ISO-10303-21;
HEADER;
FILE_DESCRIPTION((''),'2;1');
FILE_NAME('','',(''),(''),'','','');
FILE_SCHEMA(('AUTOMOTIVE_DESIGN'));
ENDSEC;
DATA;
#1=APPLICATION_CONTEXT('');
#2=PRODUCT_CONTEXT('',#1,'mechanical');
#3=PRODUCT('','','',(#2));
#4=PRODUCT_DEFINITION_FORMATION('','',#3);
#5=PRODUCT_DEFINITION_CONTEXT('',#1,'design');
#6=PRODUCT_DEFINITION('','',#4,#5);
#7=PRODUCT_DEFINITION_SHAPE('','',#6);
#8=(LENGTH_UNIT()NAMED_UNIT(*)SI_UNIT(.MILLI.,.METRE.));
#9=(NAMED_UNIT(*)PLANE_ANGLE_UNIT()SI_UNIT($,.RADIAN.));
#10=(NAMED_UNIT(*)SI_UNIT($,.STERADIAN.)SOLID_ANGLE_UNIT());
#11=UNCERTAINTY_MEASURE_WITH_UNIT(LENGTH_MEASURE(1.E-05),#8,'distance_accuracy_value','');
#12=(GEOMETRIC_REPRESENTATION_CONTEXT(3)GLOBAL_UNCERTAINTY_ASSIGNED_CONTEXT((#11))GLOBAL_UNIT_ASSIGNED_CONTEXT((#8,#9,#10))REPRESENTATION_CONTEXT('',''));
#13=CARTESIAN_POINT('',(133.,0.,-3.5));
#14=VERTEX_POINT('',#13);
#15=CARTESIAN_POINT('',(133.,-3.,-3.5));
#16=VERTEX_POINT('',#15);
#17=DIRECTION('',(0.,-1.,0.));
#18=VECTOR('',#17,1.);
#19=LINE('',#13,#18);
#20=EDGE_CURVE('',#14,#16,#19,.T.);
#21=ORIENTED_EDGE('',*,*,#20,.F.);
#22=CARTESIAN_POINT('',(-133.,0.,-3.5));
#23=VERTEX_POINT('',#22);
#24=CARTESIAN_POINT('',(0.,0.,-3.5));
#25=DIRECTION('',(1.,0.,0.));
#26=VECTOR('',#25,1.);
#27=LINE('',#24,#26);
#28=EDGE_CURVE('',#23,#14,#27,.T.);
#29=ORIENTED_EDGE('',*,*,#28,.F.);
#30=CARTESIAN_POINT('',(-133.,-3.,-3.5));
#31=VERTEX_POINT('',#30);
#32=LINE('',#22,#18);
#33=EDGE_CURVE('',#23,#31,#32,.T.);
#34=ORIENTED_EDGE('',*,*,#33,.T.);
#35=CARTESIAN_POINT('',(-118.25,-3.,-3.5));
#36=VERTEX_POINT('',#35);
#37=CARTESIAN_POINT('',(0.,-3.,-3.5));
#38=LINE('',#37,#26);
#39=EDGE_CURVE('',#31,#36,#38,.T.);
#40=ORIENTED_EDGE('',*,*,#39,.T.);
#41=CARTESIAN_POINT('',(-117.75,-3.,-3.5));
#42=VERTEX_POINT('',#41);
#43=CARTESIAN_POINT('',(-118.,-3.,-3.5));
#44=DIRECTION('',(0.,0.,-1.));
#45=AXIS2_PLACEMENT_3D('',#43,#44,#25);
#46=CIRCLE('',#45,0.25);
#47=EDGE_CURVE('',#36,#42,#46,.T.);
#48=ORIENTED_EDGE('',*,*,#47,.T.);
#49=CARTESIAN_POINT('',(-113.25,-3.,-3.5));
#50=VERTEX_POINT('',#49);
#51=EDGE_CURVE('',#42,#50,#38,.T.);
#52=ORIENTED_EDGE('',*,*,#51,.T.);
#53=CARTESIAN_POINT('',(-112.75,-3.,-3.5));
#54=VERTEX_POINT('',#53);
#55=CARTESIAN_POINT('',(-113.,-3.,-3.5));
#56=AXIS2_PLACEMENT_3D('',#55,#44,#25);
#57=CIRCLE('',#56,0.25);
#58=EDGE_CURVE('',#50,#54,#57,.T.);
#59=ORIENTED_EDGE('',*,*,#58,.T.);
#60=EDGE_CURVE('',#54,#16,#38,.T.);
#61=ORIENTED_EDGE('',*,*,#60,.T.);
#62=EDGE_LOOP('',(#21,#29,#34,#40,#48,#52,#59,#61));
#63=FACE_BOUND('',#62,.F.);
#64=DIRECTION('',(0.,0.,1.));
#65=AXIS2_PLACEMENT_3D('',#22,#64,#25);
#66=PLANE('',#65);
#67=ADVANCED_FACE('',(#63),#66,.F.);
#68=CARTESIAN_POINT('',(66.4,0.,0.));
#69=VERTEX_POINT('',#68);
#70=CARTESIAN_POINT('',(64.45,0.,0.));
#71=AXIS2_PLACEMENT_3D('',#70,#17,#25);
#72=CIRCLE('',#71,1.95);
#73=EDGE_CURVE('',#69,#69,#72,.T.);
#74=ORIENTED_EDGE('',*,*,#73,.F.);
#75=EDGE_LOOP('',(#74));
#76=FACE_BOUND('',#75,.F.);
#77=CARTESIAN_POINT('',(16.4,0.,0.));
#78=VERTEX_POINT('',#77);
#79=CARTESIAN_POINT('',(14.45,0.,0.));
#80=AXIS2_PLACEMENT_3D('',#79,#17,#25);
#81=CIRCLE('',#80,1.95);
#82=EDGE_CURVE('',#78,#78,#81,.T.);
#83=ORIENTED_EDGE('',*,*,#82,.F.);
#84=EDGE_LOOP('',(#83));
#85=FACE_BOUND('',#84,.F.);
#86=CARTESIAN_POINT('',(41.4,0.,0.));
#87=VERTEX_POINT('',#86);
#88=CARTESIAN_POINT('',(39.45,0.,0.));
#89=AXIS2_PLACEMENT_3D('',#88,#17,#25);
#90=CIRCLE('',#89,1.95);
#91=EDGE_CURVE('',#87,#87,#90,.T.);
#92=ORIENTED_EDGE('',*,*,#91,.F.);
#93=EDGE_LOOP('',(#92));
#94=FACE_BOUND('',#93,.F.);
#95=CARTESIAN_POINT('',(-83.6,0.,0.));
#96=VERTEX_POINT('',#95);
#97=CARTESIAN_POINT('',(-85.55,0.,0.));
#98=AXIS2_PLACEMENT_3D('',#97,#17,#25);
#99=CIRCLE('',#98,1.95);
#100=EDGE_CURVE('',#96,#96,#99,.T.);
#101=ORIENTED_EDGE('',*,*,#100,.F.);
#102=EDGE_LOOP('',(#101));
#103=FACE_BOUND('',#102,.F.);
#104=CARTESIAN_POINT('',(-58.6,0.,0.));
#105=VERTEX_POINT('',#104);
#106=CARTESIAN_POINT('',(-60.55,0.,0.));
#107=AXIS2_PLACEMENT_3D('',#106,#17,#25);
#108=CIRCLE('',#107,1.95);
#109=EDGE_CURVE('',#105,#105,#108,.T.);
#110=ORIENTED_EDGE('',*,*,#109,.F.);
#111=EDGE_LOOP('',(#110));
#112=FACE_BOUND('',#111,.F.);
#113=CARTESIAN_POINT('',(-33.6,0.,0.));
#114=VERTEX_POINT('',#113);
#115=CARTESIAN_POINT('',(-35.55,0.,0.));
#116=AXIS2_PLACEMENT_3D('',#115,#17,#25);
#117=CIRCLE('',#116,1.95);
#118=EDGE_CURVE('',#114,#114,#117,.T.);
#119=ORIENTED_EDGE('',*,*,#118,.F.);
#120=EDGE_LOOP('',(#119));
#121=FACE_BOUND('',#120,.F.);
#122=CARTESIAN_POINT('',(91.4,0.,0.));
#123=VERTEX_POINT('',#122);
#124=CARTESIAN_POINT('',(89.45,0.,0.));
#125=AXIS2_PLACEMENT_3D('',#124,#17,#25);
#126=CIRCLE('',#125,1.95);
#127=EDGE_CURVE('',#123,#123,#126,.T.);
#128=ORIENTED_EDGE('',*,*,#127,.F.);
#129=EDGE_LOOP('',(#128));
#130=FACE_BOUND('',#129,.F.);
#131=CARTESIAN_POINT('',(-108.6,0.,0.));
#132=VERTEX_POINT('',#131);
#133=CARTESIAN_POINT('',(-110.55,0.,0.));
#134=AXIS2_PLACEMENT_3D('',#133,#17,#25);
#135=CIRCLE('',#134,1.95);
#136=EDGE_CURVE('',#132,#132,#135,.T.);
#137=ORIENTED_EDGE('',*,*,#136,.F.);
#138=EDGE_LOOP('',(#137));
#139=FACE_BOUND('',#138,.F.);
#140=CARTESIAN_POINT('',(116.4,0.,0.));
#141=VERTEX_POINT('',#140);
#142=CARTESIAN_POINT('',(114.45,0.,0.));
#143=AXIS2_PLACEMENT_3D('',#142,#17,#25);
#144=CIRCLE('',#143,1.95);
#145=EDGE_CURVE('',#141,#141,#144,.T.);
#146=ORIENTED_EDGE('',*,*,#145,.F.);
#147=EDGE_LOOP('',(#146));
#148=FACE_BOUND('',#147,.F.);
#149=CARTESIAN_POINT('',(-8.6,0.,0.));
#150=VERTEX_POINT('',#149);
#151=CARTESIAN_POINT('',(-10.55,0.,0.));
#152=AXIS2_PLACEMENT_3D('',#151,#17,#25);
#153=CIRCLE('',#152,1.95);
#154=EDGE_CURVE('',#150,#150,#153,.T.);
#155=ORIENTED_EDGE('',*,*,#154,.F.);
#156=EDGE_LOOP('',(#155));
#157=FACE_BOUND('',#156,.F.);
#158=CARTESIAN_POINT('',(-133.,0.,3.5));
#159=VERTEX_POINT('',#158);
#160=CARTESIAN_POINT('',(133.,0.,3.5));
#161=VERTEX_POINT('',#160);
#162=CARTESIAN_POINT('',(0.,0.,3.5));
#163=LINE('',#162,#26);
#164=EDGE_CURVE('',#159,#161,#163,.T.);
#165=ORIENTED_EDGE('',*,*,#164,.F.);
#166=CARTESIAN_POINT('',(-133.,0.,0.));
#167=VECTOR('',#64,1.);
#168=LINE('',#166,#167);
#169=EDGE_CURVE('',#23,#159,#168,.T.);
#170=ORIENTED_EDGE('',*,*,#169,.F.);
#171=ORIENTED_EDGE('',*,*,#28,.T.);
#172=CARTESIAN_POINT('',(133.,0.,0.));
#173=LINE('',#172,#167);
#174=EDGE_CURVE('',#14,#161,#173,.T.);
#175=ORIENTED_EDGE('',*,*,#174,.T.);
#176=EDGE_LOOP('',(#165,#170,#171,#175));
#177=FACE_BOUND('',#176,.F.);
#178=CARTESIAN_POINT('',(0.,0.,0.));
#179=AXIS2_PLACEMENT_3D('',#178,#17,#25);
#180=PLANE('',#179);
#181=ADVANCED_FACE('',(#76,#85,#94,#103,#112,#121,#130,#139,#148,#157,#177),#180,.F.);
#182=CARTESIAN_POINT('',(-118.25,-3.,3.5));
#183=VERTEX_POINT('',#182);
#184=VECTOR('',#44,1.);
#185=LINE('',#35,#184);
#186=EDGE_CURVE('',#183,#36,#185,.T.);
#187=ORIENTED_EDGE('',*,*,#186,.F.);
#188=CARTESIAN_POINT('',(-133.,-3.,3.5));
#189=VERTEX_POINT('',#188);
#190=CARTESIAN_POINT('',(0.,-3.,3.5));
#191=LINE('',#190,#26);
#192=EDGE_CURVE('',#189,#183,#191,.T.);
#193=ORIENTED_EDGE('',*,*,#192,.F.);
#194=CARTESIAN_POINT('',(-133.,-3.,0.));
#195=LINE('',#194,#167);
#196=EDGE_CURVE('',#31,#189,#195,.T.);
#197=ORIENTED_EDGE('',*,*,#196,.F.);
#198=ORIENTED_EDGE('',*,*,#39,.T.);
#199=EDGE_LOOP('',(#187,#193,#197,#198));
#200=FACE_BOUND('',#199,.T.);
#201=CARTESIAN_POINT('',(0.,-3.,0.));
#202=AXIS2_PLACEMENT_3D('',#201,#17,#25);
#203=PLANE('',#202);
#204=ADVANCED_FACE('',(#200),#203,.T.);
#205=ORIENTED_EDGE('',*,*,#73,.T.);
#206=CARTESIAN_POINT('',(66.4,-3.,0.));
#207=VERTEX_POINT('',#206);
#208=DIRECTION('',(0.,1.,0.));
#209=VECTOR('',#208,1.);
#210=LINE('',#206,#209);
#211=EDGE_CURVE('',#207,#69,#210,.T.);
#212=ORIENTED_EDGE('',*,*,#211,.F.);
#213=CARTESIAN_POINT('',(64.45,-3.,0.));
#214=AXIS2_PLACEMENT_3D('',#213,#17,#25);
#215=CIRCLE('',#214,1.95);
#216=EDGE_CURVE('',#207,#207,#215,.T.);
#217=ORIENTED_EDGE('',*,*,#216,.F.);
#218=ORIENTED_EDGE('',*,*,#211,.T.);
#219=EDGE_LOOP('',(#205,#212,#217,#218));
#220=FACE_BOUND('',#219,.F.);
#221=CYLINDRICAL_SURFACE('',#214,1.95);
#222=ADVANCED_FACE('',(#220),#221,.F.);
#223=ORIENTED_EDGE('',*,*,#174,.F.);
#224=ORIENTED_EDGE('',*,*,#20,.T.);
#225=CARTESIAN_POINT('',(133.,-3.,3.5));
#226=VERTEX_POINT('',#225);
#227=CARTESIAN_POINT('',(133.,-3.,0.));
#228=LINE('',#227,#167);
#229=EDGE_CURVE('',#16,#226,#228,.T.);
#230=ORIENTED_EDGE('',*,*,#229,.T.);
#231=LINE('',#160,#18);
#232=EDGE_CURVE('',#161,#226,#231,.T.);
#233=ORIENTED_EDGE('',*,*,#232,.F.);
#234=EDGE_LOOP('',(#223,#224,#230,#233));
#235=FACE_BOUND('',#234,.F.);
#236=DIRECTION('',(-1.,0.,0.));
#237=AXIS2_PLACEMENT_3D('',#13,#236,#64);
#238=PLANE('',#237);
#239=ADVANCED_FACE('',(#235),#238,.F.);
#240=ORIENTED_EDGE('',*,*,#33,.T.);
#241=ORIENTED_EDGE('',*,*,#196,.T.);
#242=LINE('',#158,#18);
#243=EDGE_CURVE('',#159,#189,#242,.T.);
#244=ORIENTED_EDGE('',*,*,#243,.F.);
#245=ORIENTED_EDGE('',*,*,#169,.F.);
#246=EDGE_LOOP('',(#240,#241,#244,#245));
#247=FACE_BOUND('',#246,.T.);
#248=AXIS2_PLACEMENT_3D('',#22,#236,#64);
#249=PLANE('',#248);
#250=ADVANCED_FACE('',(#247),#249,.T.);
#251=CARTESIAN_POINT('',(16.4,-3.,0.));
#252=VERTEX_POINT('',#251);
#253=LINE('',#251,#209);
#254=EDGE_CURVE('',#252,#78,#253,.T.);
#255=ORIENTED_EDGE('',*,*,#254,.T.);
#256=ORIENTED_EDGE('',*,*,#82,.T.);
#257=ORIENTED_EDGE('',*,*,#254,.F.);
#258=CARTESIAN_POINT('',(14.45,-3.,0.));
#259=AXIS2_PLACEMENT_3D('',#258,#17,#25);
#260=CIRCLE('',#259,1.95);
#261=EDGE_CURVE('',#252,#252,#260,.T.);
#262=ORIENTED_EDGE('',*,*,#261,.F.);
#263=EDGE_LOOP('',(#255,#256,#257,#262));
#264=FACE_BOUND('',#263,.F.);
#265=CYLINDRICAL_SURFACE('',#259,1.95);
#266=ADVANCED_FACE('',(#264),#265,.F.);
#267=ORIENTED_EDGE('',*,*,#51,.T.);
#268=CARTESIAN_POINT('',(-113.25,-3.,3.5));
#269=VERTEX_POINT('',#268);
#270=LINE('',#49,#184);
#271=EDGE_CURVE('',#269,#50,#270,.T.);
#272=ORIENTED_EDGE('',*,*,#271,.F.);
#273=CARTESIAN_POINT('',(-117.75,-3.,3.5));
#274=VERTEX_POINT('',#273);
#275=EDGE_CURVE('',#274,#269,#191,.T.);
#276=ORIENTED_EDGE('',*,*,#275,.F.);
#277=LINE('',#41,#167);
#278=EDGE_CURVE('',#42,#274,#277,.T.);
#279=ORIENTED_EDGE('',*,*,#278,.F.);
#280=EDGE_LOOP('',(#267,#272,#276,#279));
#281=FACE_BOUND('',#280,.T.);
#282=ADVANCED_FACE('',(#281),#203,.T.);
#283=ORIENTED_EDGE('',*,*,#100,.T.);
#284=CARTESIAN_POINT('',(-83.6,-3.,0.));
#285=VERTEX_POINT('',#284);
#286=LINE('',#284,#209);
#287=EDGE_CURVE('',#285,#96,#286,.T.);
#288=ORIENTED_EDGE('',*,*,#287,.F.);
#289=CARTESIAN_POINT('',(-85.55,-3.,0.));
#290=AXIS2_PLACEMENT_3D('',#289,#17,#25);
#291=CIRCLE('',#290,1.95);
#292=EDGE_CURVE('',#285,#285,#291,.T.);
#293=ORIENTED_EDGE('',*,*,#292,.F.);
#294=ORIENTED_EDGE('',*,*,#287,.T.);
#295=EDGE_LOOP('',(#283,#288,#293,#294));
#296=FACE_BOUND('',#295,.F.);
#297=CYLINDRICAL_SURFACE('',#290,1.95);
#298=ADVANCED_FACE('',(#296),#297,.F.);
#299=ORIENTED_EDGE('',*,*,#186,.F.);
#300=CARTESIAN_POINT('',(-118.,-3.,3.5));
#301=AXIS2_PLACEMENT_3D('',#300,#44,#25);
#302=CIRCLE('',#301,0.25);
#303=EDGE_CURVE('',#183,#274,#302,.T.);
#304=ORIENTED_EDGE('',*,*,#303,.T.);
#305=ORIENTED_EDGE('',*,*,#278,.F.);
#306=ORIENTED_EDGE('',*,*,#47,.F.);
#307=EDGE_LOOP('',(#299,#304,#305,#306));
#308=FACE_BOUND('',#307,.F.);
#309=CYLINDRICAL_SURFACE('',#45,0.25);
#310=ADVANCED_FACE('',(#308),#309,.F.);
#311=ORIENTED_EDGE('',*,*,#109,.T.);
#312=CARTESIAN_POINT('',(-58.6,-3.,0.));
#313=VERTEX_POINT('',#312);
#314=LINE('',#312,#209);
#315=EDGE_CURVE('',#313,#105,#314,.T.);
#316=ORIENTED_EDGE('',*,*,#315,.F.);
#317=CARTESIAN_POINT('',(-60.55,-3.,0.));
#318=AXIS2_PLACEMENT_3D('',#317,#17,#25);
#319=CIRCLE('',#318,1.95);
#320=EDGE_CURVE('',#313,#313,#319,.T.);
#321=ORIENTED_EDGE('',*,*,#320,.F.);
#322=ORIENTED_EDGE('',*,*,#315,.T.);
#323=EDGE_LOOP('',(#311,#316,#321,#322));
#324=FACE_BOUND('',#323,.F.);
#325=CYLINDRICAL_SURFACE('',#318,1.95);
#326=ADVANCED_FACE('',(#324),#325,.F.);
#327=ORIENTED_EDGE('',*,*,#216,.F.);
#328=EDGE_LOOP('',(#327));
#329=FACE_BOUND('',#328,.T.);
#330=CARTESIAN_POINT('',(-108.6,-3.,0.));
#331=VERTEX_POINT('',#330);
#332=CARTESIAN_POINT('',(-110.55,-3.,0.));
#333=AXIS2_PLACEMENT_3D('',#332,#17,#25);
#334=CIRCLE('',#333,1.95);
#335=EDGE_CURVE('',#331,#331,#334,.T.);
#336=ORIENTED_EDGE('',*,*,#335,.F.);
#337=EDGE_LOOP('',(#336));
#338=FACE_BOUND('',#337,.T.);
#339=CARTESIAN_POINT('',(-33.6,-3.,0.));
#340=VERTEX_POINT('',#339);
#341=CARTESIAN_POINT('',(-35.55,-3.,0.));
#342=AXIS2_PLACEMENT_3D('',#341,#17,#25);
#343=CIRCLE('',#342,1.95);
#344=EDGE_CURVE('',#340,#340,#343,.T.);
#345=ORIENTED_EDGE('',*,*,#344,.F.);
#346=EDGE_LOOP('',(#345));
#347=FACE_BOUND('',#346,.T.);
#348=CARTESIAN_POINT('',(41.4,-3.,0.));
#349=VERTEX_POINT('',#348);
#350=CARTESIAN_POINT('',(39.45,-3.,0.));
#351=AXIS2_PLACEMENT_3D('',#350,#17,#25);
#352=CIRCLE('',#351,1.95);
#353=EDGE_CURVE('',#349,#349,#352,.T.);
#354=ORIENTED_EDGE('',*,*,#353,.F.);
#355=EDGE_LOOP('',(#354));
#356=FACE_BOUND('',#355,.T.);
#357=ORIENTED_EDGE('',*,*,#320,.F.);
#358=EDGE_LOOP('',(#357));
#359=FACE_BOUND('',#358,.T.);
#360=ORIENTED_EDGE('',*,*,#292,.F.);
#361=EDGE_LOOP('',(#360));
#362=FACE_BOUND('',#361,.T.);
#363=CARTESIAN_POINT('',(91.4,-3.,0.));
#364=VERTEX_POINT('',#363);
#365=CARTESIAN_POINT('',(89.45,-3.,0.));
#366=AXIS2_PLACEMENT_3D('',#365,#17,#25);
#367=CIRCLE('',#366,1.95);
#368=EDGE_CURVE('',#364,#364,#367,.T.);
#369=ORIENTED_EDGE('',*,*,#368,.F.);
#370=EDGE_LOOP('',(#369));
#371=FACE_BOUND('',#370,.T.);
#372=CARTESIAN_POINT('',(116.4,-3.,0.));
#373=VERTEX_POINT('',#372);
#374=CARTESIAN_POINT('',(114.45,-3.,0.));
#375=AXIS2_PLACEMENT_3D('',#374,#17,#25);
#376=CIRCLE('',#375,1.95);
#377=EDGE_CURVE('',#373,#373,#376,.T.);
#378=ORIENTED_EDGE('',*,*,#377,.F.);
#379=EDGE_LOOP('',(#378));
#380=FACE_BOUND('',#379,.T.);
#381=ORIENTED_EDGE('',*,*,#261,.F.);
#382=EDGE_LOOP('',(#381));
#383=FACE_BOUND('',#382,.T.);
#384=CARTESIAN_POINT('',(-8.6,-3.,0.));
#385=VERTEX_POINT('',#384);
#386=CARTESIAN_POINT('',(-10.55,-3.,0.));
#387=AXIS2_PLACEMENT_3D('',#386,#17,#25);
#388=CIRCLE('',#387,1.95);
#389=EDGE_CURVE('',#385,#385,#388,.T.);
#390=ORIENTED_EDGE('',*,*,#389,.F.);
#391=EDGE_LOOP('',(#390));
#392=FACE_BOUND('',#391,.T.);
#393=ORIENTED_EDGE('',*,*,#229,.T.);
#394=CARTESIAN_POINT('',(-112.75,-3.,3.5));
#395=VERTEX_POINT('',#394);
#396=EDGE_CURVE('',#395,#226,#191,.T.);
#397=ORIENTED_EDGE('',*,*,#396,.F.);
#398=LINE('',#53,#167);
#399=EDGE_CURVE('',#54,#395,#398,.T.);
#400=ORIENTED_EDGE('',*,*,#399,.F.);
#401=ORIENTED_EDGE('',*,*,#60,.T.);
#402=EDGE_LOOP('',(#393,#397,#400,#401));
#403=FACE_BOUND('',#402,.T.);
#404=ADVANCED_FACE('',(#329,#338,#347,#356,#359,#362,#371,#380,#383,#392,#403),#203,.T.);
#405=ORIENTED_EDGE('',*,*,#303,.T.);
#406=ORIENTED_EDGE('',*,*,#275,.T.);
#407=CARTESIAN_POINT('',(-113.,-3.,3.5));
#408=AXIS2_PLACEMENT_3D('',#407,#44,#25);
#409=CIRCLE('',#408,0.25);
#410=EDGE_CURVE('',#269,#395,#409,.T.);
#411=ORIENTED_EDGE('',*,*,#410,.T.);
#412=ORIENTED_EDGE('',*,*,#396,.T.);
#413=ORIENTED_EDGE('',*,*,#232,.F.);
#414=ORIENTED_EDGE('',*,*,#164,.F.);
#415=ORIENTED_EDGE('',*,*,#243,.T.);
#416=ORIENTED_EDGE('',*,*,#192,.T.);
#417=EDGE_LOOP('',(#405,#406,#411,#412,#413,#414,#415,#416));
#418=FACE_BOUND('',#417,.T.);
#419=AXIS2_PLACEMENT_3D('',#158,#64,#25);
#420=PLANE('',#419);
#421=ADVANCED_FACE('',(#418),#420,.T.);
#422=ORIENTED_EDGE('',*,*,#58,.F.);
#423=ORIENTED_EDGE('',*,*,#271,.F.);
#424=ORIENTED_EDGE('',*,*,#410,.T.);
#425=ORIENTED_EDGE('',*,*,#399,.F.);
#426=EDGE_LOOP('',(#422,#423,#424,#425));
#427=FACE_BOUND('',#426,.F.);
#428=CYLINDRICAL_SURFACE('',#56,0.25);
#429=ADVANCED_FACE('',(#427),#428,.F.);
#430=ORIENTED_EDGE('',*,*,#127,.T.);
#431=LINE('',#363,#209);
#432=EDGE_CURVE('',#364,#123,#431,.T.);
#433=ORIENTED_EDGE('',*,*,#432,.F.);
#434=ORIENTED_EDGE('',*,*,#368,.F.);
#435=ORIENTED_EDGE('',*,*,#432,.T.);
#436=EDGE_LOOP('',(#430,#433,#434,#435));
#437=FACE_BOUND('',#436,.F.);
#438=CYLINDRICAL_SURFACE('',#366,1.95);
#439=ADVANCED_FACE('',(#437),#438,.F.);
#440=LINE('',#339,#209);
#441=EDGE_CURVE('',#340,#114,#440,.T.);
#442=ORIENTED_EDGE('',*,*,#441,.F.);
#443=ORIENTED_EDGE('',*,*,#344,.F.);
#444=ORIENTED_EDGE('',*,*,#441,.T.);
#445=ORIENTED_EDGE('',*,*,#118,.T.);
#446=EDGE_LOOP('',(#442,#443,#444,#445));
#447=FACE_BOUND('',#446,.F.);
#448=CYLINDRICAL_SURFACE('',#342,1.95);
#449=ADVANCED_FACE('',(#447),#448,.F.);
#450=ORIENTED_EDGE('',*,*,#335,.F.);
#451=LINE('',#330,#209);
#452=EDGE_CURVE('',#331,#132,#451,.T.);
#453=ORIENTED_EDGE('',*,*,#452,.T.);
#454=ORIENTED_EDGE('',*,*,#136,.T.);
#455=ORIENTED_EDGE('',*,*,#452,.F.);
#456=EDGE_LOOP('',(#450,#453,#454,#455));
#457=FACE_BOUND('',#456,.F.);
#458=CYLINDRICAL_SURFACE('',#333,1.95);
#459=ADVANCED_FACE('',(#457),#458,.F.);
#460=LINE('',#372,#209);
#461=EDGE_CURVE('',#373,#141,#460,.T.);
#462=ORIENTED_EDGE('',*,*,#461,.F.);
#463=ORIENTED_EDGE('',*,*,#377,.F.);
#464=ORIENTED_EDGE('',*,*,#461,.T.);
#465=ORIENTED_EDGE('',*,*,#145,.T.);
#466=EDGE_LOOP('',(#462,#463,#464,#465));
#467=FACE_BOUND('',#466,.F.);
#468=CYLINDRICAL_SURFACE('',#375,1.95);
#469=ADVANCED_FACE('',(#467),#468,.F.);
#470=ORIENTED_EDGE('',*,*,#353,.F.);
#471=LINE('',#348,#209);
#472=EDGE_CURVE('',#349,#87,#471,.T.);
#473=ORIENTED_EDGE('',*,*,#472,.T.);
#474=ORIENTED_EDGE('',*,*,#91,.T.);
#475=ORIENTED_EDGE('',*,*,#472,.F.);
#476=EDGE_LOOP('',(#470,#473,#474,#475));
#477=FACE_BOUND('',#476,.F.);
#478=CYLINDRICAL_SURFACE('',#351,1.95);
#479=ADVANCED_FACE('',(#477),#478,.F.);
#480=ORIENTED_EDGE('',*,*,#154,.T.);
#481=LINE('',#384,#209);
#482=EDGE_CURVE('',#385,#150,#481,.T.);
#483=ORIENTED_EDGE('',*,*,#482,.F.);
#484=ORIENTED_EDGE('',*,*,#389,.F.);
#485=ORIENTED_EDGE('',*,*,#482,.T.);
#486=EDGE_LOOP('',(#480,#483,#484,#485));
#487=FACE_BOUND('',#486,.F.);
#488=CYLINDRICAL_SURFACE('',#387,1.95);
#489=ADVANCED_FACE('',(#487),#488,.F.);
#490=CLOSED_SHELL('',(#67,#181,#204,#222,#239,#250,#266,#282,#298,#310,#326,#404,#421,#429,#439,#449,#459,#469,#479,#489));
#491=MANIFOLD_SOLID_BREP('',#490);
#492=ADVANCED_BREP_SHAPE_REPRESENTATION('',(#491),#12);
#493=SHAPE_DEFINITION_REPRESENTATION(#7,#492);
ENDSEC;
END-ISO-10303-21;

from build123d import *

# Parameters (mm, degrees)
F0_W     = 266
F0_H     = 7
F1_DEPTH = 3
F2_R     = 1.95
F3_DEPTH = 3.001
F4_R     = 0.25
F5_DEPTH = 7.001


with BuildPart() as f1:
    # F0 (on Front) → F1 (new body)
    with BuildSketch(Plane.XZ):
        Rectangle(F0_W, F0_H)
    extrude(amount=F1_DEPTH)

    # F2 (on face) → F3 (cut, through all)
    with BuildSketch(Plane.XZ.offset(3)):
        with Locations((-110.55, 0)):
            Circle(F2_R)
        with Locations((-85.55, 0)):
            Circle(F2_R)
        with Locations((-60.55, 0)):
            Circle(F2_R)
        with Locations((-35.55, 0)):
            Circle(F2_R)
        with Locations((-10.55, 0)):
            Circle(F2_R)
        with Locations((14.45, 0)):
            Circle(F2_R)
        with Locations((39.45, 0)):
            Circle(F2_R)
        with Locations((64.45, 0)):
            Circle(F2_R)
        with Locations((89.45, 0)):
            Circle(F2_R)
        with Locations((114.45, 0)):
            Circle(F2_R)
    extrude(amount=-F3_DEPTH, mode=Mode.SUBTRACT)

    # F4 (on face) → F5 (cut, through all)
    with BuildSketch(Plane(origin=(0, 0, -3.5), x_dir=(1, 0, 0), z_dir=(0, 0, -1))):
        with Locations((-118, 3)):
            Circle(F4_R)
        with Locations((-113, 3)):
            Circle(F4_R)
    extrude(amount=-F5_DEPTH, mode=Mode.SUBTRACT)


solid = f1.part
